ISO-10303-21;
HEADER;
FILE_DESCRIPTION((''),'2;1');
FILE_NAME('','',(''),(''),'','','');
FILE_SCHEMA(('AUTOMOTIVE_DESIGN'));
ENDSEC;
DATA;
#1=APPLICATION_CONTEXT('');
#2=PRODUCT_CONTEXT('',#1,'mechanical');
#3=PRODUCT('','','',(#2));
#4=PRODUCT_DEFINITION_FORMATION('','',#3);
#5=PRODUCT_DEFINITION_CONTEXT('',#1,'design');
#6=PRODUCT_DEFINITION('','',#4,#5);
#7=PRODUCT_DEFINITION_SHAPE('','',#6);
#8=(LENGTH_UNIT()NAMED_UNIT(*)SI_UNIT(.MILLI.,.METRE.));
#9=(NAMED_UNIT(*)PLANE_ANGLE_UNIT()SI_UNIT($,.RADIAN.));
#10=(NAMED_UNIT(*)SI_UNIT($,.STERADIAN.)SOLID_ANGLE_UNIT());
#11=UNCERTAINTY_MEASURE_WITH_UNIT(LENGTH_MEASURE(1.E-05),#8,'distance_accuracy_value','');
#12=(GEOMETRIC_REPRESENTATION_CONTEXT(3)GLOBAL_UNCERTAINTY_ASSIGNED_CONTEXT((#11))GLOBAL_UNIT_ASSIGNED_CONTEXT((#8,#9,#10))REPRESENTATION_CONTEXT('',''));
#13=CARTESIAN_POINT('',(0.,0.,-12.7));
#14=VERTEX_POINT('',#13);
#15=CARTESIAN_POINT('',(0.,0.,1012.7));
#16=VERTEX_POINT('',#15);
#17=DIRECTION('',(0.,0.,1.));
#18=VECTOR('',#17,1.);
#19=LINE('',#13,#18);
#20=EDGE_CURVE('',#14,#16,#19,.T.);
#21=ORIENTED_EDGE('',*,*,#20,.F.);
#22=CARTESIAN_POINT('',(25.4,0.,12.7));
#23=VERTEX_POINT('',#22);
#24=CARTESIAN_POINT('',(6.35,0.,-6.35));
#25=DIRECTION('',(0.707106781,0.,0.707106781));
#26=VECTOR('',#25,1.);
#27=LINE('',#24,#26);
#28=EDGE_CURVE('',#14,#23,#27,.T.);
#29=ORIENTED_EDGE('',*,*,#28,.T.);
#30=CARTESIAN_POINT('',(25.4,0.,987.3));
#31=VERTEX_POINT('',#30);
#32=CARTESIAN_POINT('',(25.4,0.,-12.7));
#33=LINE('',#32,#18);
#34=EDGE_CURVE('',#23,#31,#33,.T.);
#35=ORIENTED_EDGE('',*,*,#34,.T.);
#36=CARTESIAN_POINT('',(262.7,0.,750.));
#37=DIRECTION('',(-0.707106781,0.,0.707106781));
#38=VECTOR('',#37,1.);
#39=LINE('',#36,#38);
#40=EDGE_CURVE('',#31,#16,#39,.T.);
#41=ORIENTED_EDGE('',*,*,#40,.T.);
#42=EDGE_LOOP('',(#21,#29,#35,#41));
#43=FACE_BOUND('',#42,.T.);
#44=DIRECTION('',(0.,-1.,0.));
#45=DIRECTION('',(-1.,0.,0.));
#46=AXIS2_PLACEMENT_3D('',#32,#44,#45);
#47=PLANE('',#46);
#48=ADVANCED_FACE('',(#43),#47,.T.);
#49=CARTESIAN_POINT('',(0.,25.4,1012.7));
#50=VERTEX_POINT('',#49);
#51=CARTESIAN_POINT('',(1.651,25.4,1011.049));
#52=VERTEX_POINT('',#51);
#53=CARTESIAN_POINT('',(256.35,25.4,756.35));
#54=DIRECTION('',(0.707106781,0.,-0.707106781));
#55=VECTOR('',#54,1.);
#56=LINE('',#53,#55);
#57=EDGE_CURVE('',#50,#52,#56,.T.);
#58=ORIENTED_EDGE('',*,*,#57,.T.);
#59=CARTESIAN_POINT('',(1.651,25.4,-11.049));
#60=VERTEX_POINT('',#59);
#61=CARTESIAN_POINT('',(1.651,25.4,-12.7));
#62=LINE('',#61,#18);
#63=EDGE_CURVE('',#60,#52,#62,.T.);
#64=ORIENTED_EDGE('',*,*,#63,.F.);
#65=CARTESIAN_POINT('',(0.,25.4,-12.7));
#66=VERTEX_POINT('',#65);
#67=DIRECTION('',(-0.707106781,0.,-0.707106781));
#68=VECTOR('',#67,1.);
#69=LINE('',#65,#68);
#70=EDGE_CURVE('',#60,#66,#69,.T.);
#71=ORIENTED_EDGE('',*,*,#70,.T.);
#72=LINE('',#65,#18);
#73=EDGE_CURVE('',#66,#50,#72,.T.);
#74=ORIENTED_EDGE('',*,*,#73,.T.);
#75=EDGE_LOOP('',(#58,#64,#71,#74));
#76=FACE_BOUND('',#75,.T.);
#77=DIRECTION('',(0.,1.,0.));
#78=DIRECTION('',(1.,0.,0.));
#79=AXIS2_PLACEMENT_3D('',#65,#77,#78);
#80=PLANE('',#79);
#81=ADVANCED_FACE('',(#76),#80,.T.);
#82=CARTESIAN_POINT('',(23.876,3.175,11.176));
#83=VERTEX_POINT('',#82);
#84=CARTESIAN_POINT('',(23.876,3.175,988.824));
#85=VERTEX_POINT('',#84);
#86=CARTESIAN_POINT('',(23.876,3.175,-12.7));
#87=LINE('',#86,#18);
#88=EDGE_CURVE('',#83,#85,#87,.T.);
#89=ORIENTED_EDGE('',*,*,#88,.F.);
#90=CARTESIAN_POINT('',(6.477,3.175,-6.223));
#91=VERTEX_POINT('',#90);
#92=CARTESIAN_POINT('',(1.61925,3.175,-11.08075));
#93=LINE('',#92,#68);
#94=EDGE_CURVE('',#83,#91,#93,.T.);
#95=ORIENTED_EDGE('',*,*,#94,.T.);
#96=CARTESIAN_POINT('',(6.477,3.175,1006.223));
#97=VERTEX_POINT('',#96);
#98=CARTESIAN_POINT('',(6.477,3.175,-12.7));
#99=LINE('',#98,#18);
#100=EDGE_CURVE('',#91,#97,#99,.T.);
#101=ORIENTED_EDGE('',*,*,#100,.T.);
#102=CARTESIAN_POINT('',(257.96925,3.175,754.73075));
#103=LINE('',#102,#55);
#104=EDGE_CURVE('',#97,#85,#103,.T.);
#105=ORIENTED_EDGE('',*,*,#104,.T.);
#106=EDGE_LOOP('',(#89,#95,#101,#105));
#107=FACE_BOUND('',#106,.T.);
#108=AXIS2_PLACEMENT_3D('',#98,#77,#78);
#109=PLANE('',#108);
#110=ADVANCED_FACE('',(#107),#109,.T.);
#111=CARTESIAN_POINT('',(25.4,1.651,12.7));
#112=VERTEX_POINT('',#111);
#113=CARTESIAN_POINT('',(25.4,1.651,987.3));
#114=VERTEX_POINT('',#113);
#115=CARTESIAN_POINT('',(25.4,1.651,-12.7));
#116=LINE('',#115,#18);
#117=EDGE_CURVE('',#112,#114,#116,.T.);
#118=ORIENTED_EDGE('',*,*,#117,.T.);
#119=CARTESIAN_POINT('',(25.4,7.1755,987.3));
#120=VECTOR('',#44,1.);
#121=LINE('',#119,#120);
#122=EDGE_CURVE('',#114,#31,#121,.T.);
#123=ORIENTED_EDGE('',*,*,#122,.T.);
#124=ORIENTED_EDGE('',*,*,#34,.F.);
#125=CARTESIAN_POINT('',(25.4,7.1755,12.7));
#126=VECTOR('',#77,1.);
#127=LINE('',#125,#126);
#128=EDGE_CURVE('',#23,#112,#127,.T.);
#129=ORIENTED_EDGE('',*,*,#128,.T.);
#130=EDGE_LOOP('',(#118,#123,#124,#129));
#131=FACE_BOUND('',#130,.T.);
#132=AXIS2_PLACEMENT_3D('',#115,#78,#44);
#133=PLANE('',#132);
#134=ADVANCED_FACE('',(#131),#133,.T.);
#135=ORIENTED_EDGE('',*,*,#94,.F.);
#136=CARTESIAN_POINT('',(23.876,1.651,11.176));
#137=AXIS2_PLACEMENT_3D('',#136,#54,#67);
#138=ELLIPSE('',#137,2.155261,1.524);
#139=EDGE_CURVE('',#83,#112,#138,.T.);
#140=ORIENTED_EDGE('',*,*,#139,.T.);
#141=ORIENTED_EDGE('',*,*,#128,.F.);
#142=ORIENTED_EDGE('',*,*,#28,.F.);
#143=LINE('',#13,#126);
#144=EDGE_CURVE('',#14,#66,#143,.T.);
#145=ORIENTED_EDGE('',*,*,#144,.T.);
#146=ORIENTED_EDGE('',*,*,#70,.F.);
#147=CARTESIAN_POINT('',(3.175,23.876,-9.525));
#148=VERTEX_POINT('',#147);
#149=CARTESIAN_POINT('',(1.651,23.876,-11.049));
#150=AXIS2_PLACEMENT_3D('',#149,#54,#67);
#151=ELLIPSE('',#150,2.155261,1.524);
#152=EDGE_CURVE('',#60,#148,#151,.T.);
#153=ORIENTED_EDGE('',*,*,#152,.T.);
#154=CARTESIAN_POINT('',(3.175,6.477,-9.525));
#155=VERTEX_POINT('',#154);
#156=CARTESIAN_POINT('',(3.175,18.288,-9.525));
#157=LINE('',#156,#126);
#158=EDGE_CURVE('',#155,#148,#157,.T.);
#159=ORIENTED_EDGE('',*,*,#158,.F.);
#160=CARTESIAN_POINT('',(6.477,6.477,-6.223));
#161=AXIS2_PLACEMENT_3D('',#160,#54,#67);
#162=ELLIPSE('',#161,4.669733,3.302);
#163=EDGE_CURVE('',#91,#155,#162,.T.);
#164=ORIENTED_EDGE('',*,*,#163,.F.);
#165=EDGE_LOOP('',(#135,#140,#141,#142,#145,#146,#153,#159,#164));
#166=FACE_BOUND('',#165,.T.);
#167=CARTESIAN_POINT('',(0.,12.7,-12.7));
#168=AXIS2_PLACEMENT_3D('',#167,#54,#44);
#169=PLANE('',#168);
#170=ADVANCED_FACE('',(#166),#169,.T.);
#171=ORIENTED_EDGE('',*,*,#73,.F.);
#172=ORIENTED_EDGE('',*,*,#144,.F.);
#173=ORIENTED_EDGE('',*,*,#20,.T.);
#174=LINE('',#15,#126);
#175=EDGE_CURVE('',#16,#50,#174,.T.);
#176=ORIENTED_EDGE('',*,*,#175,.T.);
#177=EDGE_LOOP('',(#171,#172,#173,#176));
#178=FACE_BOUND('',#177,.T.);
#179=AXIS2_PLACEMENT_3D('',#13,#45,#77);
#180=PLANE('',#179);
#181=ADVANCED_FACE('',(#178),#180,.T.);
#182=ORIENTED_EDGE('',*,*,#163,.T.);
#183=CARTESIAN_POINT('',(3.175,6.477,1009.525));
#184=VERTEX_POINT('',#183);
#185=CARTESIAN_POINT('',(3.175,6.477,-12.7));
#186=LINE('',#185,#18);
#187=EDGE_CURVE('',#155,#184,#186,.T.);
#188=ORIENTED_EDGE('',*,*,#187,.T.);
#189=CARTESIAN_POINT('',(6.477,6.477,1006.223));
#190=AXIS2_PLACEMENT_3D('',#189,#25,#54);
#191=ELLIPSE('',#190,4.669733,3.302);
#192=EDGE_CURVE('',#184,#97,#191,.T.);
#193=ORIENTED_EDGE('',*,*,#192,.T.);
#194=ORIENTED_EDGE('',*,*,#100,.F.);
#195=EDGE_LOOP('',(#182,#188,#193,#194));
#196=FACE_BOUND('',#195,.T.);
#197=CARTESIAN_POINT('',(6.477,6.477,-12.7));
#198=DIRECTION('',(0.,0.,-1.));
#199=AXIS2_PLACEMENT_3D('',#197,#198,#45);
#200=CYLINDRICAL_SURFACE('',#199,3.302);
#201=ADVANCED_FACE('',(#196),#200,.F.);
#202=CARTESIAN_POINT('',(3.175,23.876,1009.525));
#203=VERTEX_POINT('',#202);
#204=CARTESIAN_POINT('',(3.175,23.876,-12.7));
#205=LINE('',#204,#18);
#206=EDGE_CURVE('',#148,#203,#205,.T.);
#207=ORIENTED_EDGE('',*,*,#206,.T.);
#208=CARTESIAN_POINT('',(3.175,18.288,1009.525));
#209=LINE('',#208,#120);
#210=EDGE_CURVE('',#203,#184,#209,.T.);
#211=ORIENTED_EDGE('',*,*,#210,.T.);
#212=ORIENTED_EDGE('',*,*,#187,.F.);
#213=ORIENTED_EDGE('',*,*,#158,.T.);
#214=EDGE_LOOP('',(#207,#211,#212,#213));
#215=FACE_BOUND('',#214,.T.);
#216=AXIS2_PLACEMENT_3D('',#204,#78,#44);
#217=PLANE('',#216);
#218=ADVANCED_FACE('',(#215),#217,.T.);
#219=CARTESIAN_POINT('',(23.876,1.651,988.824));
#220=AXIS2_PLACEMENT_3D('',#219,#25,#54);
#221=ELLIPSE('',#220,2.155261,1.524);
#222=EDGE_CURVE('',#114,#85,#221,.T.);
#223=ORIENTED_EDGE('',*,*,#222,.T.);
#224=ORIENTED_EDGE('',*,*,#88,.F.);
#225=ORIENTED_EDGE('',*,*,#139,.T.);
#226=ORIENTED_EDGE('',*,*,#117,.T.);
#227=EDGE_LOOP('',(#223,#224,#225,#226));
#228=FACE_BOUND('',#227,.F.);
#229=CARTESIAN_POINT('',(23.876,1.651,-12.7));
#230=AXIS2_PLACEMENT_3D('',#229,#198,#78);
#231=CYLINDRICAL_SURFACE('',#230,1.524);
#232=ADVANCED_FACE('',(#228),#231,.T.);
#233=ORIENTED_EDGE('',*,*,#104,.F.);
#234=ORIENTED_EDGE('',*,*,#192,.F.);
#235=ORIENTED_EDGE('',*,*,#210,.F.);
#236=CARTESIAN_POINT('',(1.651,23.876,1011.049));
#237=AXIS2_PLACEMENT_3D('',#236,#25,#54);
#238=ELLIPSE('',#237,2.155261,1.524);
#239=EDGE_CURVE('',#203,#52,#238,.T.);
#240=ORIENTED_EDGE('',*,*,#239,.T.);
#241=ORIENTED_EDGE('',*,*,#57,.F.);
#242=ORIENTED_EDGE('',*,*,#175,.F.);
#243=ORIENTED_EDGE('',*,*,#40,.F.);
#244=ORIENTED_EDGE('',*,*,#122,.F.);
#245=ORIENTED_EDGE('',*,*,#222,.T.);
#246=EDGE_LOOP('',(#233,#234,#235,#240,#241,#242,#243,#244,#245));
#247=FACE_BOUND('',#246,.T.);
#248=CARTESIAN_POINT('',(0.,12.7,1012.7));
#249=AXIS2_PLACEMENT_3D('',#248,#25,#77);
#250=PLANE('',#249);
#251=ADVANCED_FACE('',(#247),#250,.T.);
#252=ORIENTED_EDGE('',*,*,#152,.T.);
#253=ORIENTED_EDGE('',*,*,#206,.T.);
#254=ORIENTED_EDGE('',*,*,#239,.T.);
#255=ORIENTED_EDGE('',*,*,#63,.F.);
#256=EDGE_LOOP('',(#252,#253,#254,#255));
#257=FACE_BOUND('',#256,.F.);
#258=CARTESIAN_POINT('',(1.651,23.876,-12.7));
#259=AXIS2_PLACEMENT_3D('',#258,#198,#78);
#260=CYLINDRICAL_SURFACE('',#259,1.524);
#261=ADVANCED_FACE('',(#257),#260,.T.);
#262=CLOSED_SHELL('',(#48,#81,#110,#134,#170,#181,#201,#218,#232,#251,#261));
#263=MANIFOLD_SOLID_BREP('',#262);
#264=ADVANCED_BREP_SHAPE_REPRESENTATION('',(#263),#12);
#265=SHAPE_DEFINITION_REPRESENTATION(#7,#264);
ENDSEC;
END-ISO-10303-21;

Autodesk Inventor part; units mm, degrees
ref_plane "Start Plane" through (0, 0, -12.7) normal (0, 0, 1) x (1, 0, 0)
ref_plane "End Plane" through (0, 0, 1012.7) normal (0, 0, 1) x (1, 0, 0)
sketch "Sketch" plane through (0, 0, 0) normal (0, 0, 1) x (1, 0, 0)
  line L0 (25.4, 0) -> (0, 0)
  line L1 (0, 0) -> (0, 25.4)
  line L2 (0, 25.4) -> (1.651, 25.4)
  line L3 (3.175, 23.876) -> (3.175, 6.477)
  line L4 (6.477, 3.175) -> (23.876, 3.175)
  line L5 (25.4, 1.651) -> (25.4, 0)
  line L6 (0, -11.0414) -> (0, 31.5385) construction
  line L7 (-11.0414, 0) -> (31.5385, 0) construction
  arc A0 (3.175, 6.477) -> (6.477, 3.175) centre (6.477, 6.477) ccw
  arc A1 (3.175, 23.876) -> (1.651, 25.4) centre (1.651, 23.876) ccw
  arc A2 (25.4, 1.651) -> (23.876, 3.175) centre (23.876, 1.651) ccw
  line L8 (0, 40.0545) -> (0, -19.5574) construction
  line L9 (-19.5574, 0) -> (40.0545, 0) construction
  point P0 (3.175, 25.4)
  point P1 (3.175, 3.175)
  point P2 (25.4, 3.175)
  dimension "d0" = 25.4
  dimension "d1" = 25.4
  dimension "d2" = 3.175
  dimension "d3" = 3.175
  dimension "d10" = 0
  dimension "d11" = 0
  dimension "d14" = 3.302
  dimension "d15" = 1.524
extrude "Body" add sketch "Sketch" along normal up to surface (1025.4 mm away) from surface at -12.7
sketch "Sketch3" plane through (0, 0, 0) normal (0, 0, 1) x (1, 0, 0)
  line L0 (0, 0) -> (10, 0)
ref_plane "Work Plane3" through (0, 0, 0) normal (0, -1, 0) x (1, 0, 0)
ref_plane "Work Plane4" through (0, 12.7, -12.7) normal (0.7071, 0, -0.7071) x (-0.7071, 0, -0.7071)
split "Split1" plane through (0, 12.7, -12.7) removes the side toward (0.7071, 0, -0.7071)
ref_plane "Work Plane5" through (0, 12.7, 1012.7) normal (0.7071, 0, 0.7071) x (0.7071, 0, -0.7071)
split "Split2" plane through (0, 12.7, 1012.7) removes the side toward (0.7071, 0, 0.7071)
sketch "Sketch4" plane through (0, 0, 0) normal (0, -1, 0) x (1, 0, 0)
  line L0 (-2, -12.7) -> (12, -12.7) projected
  line L1 (-2, 1012.7) -> (12, 1012.7) projected
  dimension "d17" = 1025.4
equation "\"d0\" = G_H"
equation "\"d1\" = G_H"
equation "\"d2\" = G_T"
equation "\"d3\" = G_T"
equation "\"d14\" = G_IR"
equation "\"d15\" = G_ER"
equation "\"d4\" = G_L"
equation "\"G_H\" = 25.4"
equation "\"G_T\" = 3.175"
equation "\"G_ER\" = 1.524"
equation "\"G_IR\" = 3.302"
equation "\"G_L\" = d17"
equation "\"ex\" = 0"
equation "\"G_OFFSET_START\" = 12.7"
equation "\"G_OFFSET_END\" = 12.7"
equation "\"d12\" = -G_OFFSET_START"
equation "\"d13\" = G_OFFSET_END + B_L"
equation "\"B_L\" = 1000"
properties part number "AISC - L 1 x 1 x 1/8 - 40.37" material "Steel, Mild"
